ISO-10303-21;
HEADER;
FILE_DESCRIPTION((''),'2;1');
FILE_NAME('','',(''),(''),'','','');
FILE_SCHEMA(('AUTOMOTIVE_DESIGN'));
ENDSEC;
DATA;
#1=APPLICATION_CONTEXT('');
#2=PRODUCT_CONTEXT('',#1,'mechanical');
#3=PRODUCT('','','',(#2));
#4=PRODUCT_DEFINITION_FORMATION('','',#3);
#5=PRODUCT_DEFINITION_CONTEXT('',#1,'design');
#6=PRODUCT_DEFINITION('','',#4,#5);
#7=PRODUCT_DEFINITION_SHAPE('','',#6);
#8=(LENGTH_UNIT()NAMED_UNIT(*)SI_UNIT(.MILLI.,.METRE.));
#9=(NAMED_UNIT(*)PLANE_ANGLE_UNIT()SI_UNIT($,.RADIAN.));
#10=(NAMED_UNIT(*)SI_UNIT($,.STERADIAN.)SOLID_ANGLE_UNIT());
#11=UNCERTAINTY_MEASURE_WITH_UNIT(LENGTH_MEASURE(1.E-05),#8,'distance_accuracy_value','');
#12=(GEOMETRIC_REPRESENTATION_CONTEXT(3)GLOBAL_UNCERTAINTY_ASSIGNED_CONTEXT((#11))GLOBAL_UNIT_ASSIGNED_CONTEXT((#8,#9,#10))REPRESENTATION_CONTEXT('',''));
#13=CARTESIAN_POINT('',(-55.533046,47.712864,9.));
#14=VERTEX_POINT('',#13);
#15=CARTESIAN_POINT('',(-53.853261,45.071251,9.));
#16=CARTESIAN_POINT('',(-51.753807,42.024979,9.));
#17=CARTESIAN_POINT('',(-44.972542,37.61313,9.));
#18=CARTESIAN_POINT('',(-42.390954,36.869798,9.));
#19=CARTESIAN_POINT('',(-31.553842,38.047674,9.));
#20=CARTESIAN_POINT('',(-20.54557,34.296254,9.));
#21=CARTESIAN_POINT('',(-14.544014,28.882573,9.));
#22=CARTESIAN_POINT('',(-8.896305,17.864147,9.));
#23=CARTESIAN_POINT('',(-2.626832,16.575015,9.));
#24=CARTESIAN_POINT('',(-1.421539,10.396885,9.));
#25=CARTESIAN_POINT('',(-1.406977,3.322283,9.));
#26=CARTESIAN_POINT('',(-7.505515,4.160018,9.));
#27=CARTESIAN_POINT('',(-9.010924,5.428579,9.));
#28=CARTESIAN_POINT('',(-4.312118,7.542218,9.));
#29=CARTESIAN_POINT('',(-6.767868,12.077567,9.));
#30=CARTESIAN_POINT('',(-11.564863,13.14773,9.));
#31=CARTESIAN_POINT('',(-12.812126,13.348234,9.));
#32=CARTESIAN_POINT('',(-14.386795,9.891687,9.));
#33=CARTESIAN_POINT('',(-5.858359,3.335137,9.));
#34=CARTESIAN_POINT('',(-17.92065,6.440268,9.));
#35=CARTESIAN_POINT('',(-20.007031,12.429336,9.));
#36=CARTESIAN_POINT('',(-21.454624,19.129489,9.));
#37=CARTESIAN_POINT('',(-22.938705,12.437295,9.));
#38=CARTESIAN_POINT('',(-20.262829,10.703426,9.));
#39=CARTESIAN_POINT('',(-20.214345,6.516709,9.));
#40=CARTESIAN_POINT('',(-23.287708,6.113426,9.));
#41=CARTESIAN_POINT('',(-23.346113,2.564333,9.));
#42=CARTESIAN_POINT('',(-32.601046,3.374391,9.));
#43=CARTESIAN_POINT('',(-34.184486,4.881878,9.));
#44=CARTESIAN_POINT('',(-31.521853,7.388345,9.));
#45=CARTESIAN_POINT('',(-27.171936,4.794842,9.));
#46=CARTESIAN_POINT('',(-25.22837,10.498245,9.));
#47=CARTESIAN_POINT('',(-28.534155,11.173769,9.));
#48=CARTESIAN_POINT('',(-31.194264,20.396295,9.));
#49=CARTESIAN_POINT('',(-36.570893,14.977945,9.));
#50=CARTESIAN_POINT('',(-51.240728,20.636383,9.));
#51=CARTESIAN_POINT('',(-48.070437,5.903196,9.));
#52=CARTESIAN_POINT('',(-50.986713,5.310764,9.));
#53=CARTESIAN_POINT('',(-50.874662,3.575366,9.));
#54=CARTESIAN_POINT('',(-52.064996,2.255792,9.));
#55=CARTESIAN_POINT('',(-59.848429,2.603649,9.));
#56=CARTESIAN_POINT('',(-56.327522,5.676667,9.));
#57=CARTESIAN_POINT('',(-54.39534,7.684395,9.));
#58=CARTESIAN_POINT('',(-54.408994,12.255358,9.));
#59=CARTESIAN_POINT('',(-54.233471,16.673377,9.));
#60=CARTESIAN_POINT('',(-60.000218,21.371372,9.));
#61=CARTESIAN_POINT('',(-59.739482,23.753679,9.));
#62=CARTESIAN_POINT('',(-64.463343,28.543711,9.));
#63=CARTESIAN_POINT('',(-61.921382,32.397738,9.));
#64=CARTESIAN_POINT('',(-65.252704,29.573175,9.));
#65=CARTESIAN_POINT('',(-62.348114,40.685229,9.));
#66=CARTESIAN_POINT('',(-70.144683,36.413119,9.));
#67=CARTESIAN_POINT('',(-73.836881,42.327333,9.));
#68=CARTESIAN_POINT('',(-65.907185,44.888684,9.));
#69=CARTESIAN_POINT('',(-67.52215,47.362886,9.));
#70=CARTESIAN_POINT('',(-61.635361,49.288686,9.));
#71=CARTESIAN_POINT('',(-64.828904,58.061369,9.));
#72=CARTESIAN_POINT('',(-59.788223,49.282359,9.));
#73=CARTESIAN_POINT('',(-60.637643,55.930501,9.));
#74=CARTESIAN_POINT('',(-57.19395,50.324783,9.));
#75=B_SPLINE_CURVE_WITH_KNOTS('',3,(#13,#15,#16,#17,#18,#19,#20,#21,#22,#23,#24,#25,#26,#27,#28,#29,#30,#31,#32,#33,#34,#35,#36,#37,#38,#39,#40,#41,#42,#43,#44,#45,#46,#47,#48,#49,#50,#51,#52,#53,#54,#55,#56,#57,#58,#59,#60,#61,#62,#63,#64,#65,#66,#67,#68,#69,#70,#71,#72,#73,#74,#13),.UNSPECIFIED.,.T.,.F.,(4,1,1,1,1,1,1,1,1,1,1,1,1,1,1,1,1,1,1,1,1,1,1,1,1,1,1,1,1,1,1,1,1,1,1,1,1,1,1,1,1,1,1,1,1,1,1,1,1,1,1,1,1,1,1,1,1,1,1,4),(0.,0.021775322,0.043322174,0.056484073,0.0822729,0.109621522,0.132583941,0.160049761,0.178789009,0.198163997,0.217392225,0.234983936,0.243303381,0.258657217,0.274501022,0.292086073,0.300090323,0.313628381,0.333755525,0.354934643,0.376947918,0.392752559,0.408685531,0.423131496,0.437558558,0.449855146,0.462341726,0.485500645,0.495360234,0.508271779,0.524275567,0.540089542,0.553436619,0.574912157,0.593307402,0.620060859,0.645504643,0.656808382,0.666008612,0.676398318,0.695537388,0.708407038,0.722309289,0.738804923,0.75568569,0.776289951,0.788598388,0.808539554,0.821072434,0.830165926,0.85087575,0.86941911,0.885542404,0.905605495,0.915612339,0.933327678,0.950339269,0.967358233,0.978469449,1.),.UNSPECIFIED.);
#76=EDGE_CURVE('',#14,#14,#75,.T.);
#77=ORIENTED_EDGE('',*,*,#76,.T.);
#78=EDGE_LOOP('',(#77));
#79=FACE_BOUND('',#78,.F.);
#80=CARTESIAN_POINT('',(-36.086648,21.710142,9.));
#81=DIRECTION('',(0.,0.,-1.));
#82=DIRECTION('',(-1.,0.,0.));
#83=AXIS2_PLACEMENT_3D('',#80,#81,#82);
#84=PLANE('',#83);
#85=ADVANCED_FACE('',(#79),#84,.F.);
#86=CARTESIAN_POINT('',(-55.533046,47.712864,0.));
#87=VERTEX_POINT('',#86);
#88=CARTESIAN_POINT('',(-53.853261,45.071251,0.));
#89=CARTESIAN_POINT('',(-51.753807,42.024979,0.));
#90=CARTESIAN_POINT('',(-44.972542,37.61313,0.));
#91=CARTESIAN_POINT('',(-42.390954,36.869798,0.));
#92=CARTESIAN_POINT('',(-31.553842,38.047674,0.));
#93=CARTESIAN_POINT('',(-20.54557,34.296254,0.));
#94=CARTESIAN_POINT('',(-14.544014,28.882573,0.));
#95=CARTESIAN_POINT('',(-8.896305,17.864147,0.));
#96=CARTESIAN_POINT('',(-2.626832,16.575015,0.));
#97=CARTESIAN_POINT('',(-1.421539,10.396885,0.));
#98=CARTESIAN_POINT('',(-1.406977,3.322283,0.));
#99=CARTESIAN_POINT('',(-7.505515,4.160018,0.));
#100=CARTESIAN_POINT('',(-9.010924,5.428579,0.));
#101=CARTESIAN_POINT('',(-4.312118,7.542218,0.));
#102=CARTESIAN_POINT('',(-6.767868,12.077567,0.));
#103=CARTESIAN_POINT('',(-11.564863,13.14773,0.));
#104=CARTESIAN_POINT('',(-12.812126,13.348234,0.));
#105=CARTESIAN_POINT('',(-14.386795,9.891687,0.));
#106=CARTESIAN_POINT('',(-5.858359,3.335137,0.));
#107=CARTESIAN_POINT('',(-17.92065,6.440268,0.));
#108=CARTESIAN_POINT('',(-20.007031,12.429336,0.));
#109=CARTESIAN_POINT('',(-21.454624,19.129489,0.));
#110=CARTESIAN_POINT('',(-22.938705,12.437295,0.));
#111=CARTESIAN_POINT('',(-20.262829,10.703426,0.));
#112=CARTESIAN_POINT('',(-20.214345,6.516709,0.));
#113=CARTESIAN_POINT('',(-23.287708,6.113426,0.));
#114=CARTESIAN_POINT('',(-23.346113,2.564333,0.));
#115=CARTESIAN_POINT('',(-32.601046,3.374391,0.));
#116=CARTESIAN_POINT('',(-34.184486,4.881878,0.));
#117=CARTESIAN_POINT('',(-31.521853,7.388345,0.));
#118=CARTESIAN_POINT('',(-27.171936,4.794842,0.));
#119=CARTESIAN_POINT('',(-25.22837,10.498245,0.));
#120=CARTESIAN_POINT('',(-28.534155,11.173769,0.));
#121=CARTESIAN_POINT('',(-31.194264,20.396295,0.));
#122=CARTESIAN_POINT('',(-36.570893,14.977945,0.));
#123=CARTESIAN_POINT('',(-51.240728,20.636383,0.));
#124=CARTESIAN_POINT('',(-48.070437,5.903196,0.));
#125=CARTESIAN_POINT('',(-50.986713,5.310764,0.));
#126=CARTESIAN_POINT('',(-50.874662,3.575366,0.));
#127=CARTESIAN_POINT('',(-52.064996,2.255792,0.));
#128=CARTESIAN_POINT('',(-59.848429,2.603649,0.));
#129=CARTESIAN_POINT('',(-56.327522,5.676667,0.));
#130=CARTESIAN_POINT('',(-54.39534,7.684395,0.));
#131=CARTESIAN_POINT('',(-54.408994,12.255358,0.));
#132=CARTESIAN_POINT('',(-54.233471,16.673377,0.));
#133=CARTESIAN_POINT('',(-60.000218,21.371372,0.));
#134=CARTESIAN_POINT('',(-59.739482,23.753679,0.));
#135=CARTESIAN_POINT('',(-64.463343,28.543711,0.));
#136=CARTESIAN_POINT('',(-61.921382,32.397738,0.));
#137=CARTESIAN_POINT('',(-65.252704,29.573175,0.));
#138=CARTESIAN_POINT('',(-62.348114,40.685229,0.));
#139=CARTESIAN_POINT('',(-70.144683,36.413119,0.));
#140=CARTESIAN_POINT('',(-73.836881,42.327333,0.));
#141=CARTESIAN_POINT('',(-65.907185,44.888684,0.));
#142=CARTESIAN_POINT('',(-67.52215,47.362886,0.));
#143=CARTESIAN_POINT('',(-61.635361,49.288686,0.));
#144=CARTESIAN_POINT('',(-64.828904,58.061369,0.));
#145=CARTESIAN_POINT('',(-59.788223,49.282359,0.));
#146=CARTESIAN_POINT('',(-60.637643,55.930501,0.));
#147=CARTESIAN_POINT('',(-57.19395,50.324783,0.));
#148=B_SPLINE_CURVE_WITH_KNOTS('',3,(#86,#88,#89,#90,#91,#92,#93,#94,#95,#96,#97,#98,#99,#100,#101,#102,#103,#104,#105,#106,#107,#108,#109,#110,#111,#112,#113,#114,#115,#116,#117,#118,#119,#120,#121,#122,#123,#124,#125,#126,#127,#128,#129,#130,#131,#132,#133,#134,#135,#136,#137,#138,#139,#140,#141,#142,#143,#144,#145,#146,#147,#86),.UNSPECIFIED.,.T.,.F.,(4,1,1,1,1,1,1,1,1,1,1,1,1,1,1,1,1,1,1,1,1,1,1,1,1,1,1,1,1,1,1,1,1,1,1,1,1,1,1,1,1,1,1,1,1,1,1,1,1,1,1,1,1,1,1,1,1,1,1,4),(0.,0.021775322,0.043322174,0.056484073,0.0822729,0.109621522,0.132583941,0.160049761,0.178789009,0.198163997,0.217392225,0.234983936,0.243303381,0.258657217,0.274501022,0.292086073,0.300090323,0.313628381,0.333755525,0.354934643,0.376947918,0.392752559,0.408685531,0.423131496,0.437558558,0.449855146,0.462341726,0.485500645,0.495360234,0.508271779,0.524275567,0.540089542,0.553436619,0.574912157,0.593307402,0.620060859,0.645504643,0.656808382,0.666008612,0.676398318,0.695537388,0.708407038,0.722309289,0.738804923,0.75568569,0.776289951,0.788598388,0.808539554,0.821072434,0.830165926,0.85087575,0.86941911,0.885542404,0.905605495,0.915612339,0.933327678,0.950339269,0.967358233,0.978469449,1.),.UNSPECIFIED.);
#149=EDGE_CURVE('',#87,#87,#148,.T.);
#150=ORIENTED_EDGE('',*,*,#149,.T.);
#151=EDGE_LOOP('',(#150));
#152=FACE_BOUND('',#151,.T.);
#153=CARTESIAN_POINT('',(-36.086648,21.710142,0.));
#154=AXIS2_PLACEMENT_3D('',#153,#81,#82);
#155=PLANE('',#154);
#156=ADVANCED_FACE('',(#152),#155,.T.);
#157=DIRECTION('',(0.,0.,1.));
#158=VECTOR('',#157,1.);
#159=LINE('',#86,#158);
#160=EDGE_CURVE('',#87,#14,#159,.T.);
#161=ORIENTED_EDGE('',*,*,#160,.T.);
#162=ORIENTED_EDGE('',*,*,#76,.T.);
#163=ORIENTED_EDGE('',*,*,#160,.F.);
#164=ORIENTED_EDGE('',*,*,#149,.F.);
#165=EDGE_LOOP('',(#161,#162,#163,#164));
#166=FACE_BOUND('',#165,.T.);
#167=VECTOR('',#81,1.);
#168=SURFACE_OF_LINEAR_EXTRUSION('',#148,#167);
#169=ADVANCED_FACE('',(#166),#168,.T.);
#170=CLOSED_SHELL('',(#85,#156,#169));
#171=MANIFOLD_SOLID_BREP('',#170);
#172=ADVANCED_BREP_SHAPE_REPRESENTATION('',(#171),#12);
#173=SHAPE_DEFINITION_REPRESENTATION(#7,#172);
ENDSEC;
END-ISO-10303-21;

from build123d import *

# Parameters (mm, degrees)
F1_DEPTH = 9


with BuildPart() as f1:
    # F0 (on Top) → F1 (new body)
    with BuildSketch(Plane.XY):
        with BuildLine():
            add(Edge.make_bspline(
                [(-55.5330461467, 47.7128635602), (-53.8532606928, 45.0712506936), (-51.753806713, 42.0249785678), (-44.972542431, 37.613129776), (-42.3909538403, 36.8697980717), (-31.5538415463, 38.0476744664), (-20.5455704467, 34.2962535483), (-14.5440137617, 28.8825732218), (-8.8963045145, 17.8641471138), (-2.6268324038, 16.5750147777), (-1.4215385379, 10.3968852883), (-1.4069765607, 3.3222826022), (-7.5055151406, 4.1600178856), (-9.0109242837, 5.4285790668), (-4.3121177557, 7.5422184579), (-6.7678684257, 12.0775665971), (-11.5648632861, 13.1477297993), (-12.8121262346, 13.3482343956), (-14.3867954807, 9.8916872002), (-5.8583593842, 3.3351374749), (-17.9206503246, 6.4402679507), (-20.0070306383, 12.4293361136), (-21.454624399, 19.1294886308), (-22.938704658, 12.4372948891), (-20.2628287386, 10.7034257363), (-20.2143451349, 6.5167088987), (-23.2877084781, 6.1134263409), (-23.3461127316, 2.5643331768), (-32.6010456331, 3.3743905348), (-34.1844863904, 4.8818778207), (-31.5218534998, 7.3883451401), (-27.1719361329, 4.7948418089), (-25.2283698723, 10.4982452919), (-28.5341545472, 11.1737692787), (-31.1942643219, 20.3962948642), (-36.5708932193, 14.9779446295), (-51.2407279963, 20.636383191), (-48.0704365866, 5.9031964522), (-50.9867131136, 5.3107638593), (-50.8746621373, 3.5753657928), (-52.0649956855, 2.2557918506), (-59.8484292116, 2.6036494417), (-56.3275216465, 5.6766668735), (-54.3953399571, 7.6843952998), (-54.4089936728, 12.2553576849), (-54.2334712834, 16.6733773934), (-60.000218139, 21.3713724057), (-59.7394816276, 23.7536791169), (-64.4633425211, 28.5437111522), (-61.9213824286, 32.3977378778), (-65.2527038434, 29.5731754542), (-62.3481143529, 40.6852291707), (-70.1446826286, 36.4131186462), (-73.8368809138, 42.3273334238), (-65.9071851053, 44.8886839853), (-67.5221498346, 47.3628858959), (-61.6353612142, 49.2886862956), (-64.828903787, 58.0613688264), (-59.7882225195, 49.2823591846), (-60.6376428798, 55.9305012093), (-57.1939495485, 50.3247827112), (-55.5330461467, 47.7128635602)],
                knots=[0, 0, 0, 0, 0.0217753224, 0.0433221744, 0.0564840725, 0.0822728996, 0.1096215218, 0.132583941, 0.1600497606, 0.1787890088, 0.1981639966, 0.2173922248, 0.2349839363, 0.2433033812, 0.2586572175, 0.2745010217, 0.2920860731, 0.3000903233, 0.3136283814, 0.3337555249, 0.3549346434, 0.3769479185, 0.3927525594, 0.4086855313, 0.4231314962, 0.4375585581, 0.4498551464, 0.4623417262, 0.4855006446, 0.4953602337, 0.5082717786, 0.5242755671, 0.5400895422, 0.5534366192, 0.5749121565, 0.5933074021, 0.6200608586, 0.6455046429, 0.6568083821, 0.6660086118, 0.6763983181, 0.6955373876, 0.708407038, 0.7223092891, 0.7388049226, 0.7556856896, 0.7762899507, 0.788598388, 0.8085395542, 0.821072434, 0.8301659263, 0.8508757495, 0.8694191102, 0.8855424036, 0.905605495, 0.9156123391, 0.9333276781, 0.9503392689, 0.9673582334, 0.9784694486, 1, 1, 1, 1], degree=3))
        make_face()
    extrude(amount=F1_DEPTH)


solid = f1.part
